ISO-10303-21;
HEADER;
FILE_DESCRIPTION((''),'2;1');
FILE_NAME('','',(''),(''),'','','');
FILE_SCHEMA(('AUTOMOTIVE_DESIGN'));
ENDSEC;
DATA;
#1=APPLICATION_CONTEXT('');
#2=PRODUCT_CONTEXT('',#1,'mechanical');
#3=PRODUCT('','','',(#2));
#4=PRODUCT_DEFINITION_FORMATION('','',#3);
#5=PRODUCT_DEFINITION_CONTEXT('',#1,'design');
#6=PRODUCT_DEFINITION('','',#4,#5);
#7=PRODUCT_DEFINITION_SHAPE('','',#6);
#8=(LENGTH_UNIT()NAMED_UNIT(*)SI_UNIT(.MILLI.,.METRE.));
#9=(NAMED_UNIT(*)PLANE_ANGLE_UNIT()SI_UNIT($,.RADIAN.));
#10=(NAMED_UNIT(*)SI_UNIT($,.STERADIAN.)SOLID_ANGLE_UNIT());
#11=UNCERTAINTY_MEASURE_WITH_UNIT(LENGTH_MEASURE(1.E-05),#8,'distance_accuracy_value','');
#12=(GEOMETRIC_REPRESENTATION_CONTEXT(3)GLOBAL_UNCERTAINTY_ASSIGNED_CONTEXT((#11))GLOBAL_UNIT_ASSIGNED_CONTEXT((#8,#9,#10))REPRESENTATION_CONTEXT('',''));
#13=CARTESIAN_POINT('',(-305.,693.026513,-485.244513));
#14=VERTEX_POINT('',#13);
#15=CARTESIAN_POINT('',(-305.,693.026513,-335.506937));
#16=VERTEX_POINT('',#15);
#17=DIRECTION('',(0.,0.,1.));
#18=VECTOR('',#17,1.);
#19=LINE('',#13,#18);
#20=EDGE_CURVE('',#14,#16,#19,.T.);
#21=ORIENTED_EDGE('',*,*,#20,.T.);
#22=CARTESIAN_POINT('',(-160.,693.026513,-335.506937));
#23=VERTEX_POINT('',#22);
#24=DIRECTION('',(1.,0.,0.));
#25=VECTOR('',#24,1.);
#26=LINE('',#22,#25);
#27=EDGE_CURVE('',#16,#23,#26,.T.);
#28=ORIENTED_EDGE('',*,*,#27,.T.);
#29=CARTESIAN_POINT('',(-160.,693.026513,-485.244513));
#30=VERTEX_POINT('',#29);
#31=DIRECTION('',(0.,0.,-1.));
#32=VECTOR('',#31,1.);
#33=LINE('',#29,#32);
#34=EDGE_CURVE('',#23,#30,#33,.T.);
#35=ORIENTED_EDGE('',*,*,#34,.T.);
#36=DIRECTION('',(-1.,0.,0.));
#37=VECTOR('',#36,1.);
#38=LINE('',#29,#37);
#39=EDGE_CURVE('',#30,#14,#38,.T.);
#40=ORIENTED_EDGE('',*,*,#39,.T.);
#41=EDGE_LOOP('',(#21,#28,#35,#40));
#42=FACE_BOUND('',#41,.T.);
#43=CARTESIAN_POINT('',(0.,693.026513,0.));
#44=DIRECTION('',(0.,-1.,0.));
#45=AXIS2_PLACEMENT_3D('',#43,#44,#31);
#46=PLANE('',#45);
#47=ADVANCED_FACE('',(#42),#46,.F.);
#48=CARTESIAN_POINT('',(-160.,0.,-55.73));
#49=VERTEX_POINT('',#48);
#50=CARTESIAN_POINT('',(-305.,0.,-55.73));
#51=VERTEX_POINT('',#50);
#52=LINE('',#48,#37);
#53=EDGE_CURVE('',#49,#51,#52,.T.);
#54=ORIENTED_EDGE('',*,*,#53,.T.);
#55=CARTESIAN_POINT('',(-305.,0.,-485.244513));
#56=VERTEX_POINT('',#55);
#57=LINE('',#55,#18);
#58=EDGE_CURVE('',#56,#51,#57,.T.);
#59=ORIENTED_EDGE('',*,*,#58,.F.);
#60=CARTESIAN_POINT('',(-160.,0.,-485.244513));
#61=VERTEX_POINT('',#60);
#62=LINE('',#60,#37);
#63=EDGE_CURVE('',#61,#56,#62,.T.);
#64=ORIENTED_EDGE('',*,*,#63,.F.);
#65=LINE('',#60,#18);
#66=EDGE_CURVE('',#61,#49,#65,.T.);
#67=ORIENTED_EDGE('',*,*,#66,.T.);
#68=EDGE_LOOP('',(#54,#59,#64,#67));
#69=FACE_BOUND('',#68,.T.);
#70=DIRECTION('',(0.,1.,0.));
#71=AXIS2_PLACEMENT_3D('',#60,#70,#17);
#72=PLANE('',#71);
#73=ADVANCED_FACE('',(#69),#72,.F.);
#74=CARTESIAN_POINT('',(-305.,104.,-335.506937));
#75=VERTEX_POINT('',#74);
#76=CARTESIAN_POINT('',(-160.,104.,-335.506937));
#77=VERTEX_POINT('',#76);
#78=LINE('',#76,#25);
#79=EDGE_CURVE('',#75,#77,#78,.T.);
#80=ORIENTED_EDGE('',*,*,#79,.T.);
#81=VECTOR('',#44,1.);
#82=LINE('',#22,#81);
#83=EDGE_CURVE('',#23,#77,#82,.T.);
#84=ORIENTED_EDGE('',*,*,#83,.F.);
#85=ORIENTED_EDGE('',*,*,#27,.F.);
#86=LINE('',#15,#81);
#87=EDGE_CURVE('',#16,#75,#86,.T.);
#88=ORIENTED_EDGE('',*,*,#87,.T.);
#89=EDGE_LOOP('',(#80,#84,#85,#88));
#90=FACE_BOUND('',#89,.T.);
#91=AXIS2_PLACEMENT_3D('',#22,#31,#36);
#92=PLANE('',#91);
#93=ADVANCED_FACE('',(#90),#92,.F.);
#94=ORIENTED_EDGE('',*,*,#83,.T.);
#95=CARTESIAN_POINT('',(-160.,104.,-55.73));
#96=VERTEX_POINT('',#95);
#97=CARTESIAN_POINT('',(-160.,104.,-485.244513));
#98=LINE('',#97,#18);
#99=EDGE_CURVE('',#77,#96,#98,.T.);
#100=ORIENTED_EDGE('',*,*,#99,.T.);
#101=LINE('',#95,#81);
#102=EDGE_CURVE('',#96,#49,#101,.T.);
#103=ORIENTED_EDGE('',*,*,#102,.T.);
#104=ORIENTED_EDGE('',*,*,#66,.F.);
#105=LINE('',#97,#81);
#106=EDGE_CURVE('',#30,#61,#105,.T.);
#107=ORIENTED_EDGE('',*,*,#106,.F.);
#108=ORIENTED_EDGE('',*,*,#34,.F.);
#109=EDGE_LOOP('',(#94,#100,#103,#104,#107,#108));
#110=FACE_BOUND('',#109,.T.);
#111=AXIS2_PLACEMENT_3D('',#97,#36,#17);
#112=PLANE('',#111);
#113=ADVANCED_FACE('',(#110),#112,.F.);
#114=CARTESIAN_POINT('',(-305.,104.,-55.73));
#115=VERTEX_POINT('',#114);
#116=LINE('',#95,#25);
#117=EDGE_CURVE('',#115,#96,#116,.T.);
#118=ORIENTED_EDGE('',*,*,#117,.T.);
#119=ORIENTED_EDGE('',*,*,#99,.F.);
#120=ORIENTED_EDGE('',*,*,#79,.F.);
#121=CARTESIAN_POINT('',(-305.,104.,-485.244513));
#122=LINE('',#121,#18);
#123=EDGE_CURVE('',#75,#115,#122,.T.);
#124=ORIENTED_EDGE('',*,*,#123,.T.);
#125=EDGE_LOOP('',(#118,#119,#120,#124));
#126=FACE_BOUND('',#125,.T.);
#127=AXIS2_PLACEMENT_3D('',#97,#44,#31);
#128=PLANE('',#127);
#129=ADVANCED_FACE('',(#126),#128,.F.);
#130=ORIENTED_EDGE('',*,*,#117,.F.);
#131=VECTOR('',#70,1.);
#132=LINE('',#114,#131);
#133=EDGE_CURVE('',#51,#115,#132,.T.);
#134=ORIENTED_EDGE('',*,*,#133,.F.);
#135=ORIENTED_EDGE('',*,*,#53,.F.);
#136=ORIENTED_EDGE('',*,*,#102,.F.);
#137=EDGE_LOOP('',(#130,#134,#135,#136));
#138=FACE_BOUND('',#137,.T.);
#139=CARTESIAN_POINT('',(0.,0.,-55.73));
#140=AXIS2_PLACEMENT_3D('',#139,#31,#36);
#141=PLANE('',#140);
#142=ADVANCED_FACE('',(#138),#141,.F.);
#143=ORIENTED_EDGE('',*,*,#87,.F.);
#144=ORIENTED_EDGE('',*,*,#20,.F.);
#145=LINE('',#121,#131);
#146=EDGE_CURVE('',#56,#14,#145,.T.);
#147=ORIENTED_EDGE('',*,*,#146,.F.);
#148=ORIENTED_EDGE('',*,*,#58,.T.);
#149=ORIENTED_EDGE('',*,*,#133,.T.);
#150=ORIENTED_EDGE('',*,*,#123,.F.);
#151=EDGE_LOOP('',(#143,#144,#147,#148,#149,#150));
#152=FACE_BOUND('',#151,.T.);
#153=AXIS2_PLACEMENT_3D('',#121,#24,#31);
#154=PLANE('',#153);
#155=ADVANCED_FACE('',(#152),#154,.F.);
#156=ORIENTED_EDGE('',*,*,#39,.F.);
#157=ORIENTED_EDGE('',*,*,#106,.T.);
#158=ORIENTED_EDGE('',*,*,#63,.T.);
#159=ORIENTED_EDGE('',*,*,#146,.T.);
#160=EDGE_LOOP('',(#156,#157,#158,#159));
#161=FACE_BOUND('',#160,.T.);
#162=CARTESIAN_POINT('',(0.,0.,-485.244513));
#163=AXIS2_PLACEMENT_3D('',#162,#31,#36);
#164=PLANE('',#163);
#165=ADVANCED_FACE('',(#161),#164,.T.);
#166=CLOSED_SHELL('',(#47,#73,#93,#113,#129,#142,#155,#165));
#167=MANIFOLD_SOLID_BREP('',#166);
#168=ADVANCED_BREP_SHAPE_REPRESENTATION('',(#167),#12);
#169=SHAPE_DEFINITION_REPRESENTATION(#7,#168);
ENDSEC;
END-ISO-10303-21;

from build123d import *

# Parameters (mm, degrees)
SKETCH1_W           = 145
SKETCH1_H           = 104
BOSS_EXTRUDE1_DEPTH = 429.514512898
SKETCH2_W           = 145
SKETCH2_H           = 149.737576067
BOSS_EXTRUDE2_DEPTH = 589.026512898


with BuildPart() as part:
    # Sketch1 → Boss-Extrude1 (new body)
    with BuildSketch(Plane(origin=(0, 0, -55.73), x_dir=(-1, 0, 0), z_dir=(0, 0, -1))):
        with Locations((232.5, 52)):
            Rectangle(SKETCH1_W, SKETCH1_H)
    extrude(amount=BOSS_EXTRUDE1_DEPTH)

    # Sketch2 → Boss-Extrude2 (add)
    with BuildSketch(Plane(origin=(0, 104, 0), x_dir=(1, 0, 0), z_dir=(0, 1, 0))):
        with Locations((-232.5, 410.375724865)):
            Rectangle(SKETCH2_W, SKETCH2_H)
    extrude(amount=BOSS_EXTRUDE2_DEPTH)


solid = part.part
